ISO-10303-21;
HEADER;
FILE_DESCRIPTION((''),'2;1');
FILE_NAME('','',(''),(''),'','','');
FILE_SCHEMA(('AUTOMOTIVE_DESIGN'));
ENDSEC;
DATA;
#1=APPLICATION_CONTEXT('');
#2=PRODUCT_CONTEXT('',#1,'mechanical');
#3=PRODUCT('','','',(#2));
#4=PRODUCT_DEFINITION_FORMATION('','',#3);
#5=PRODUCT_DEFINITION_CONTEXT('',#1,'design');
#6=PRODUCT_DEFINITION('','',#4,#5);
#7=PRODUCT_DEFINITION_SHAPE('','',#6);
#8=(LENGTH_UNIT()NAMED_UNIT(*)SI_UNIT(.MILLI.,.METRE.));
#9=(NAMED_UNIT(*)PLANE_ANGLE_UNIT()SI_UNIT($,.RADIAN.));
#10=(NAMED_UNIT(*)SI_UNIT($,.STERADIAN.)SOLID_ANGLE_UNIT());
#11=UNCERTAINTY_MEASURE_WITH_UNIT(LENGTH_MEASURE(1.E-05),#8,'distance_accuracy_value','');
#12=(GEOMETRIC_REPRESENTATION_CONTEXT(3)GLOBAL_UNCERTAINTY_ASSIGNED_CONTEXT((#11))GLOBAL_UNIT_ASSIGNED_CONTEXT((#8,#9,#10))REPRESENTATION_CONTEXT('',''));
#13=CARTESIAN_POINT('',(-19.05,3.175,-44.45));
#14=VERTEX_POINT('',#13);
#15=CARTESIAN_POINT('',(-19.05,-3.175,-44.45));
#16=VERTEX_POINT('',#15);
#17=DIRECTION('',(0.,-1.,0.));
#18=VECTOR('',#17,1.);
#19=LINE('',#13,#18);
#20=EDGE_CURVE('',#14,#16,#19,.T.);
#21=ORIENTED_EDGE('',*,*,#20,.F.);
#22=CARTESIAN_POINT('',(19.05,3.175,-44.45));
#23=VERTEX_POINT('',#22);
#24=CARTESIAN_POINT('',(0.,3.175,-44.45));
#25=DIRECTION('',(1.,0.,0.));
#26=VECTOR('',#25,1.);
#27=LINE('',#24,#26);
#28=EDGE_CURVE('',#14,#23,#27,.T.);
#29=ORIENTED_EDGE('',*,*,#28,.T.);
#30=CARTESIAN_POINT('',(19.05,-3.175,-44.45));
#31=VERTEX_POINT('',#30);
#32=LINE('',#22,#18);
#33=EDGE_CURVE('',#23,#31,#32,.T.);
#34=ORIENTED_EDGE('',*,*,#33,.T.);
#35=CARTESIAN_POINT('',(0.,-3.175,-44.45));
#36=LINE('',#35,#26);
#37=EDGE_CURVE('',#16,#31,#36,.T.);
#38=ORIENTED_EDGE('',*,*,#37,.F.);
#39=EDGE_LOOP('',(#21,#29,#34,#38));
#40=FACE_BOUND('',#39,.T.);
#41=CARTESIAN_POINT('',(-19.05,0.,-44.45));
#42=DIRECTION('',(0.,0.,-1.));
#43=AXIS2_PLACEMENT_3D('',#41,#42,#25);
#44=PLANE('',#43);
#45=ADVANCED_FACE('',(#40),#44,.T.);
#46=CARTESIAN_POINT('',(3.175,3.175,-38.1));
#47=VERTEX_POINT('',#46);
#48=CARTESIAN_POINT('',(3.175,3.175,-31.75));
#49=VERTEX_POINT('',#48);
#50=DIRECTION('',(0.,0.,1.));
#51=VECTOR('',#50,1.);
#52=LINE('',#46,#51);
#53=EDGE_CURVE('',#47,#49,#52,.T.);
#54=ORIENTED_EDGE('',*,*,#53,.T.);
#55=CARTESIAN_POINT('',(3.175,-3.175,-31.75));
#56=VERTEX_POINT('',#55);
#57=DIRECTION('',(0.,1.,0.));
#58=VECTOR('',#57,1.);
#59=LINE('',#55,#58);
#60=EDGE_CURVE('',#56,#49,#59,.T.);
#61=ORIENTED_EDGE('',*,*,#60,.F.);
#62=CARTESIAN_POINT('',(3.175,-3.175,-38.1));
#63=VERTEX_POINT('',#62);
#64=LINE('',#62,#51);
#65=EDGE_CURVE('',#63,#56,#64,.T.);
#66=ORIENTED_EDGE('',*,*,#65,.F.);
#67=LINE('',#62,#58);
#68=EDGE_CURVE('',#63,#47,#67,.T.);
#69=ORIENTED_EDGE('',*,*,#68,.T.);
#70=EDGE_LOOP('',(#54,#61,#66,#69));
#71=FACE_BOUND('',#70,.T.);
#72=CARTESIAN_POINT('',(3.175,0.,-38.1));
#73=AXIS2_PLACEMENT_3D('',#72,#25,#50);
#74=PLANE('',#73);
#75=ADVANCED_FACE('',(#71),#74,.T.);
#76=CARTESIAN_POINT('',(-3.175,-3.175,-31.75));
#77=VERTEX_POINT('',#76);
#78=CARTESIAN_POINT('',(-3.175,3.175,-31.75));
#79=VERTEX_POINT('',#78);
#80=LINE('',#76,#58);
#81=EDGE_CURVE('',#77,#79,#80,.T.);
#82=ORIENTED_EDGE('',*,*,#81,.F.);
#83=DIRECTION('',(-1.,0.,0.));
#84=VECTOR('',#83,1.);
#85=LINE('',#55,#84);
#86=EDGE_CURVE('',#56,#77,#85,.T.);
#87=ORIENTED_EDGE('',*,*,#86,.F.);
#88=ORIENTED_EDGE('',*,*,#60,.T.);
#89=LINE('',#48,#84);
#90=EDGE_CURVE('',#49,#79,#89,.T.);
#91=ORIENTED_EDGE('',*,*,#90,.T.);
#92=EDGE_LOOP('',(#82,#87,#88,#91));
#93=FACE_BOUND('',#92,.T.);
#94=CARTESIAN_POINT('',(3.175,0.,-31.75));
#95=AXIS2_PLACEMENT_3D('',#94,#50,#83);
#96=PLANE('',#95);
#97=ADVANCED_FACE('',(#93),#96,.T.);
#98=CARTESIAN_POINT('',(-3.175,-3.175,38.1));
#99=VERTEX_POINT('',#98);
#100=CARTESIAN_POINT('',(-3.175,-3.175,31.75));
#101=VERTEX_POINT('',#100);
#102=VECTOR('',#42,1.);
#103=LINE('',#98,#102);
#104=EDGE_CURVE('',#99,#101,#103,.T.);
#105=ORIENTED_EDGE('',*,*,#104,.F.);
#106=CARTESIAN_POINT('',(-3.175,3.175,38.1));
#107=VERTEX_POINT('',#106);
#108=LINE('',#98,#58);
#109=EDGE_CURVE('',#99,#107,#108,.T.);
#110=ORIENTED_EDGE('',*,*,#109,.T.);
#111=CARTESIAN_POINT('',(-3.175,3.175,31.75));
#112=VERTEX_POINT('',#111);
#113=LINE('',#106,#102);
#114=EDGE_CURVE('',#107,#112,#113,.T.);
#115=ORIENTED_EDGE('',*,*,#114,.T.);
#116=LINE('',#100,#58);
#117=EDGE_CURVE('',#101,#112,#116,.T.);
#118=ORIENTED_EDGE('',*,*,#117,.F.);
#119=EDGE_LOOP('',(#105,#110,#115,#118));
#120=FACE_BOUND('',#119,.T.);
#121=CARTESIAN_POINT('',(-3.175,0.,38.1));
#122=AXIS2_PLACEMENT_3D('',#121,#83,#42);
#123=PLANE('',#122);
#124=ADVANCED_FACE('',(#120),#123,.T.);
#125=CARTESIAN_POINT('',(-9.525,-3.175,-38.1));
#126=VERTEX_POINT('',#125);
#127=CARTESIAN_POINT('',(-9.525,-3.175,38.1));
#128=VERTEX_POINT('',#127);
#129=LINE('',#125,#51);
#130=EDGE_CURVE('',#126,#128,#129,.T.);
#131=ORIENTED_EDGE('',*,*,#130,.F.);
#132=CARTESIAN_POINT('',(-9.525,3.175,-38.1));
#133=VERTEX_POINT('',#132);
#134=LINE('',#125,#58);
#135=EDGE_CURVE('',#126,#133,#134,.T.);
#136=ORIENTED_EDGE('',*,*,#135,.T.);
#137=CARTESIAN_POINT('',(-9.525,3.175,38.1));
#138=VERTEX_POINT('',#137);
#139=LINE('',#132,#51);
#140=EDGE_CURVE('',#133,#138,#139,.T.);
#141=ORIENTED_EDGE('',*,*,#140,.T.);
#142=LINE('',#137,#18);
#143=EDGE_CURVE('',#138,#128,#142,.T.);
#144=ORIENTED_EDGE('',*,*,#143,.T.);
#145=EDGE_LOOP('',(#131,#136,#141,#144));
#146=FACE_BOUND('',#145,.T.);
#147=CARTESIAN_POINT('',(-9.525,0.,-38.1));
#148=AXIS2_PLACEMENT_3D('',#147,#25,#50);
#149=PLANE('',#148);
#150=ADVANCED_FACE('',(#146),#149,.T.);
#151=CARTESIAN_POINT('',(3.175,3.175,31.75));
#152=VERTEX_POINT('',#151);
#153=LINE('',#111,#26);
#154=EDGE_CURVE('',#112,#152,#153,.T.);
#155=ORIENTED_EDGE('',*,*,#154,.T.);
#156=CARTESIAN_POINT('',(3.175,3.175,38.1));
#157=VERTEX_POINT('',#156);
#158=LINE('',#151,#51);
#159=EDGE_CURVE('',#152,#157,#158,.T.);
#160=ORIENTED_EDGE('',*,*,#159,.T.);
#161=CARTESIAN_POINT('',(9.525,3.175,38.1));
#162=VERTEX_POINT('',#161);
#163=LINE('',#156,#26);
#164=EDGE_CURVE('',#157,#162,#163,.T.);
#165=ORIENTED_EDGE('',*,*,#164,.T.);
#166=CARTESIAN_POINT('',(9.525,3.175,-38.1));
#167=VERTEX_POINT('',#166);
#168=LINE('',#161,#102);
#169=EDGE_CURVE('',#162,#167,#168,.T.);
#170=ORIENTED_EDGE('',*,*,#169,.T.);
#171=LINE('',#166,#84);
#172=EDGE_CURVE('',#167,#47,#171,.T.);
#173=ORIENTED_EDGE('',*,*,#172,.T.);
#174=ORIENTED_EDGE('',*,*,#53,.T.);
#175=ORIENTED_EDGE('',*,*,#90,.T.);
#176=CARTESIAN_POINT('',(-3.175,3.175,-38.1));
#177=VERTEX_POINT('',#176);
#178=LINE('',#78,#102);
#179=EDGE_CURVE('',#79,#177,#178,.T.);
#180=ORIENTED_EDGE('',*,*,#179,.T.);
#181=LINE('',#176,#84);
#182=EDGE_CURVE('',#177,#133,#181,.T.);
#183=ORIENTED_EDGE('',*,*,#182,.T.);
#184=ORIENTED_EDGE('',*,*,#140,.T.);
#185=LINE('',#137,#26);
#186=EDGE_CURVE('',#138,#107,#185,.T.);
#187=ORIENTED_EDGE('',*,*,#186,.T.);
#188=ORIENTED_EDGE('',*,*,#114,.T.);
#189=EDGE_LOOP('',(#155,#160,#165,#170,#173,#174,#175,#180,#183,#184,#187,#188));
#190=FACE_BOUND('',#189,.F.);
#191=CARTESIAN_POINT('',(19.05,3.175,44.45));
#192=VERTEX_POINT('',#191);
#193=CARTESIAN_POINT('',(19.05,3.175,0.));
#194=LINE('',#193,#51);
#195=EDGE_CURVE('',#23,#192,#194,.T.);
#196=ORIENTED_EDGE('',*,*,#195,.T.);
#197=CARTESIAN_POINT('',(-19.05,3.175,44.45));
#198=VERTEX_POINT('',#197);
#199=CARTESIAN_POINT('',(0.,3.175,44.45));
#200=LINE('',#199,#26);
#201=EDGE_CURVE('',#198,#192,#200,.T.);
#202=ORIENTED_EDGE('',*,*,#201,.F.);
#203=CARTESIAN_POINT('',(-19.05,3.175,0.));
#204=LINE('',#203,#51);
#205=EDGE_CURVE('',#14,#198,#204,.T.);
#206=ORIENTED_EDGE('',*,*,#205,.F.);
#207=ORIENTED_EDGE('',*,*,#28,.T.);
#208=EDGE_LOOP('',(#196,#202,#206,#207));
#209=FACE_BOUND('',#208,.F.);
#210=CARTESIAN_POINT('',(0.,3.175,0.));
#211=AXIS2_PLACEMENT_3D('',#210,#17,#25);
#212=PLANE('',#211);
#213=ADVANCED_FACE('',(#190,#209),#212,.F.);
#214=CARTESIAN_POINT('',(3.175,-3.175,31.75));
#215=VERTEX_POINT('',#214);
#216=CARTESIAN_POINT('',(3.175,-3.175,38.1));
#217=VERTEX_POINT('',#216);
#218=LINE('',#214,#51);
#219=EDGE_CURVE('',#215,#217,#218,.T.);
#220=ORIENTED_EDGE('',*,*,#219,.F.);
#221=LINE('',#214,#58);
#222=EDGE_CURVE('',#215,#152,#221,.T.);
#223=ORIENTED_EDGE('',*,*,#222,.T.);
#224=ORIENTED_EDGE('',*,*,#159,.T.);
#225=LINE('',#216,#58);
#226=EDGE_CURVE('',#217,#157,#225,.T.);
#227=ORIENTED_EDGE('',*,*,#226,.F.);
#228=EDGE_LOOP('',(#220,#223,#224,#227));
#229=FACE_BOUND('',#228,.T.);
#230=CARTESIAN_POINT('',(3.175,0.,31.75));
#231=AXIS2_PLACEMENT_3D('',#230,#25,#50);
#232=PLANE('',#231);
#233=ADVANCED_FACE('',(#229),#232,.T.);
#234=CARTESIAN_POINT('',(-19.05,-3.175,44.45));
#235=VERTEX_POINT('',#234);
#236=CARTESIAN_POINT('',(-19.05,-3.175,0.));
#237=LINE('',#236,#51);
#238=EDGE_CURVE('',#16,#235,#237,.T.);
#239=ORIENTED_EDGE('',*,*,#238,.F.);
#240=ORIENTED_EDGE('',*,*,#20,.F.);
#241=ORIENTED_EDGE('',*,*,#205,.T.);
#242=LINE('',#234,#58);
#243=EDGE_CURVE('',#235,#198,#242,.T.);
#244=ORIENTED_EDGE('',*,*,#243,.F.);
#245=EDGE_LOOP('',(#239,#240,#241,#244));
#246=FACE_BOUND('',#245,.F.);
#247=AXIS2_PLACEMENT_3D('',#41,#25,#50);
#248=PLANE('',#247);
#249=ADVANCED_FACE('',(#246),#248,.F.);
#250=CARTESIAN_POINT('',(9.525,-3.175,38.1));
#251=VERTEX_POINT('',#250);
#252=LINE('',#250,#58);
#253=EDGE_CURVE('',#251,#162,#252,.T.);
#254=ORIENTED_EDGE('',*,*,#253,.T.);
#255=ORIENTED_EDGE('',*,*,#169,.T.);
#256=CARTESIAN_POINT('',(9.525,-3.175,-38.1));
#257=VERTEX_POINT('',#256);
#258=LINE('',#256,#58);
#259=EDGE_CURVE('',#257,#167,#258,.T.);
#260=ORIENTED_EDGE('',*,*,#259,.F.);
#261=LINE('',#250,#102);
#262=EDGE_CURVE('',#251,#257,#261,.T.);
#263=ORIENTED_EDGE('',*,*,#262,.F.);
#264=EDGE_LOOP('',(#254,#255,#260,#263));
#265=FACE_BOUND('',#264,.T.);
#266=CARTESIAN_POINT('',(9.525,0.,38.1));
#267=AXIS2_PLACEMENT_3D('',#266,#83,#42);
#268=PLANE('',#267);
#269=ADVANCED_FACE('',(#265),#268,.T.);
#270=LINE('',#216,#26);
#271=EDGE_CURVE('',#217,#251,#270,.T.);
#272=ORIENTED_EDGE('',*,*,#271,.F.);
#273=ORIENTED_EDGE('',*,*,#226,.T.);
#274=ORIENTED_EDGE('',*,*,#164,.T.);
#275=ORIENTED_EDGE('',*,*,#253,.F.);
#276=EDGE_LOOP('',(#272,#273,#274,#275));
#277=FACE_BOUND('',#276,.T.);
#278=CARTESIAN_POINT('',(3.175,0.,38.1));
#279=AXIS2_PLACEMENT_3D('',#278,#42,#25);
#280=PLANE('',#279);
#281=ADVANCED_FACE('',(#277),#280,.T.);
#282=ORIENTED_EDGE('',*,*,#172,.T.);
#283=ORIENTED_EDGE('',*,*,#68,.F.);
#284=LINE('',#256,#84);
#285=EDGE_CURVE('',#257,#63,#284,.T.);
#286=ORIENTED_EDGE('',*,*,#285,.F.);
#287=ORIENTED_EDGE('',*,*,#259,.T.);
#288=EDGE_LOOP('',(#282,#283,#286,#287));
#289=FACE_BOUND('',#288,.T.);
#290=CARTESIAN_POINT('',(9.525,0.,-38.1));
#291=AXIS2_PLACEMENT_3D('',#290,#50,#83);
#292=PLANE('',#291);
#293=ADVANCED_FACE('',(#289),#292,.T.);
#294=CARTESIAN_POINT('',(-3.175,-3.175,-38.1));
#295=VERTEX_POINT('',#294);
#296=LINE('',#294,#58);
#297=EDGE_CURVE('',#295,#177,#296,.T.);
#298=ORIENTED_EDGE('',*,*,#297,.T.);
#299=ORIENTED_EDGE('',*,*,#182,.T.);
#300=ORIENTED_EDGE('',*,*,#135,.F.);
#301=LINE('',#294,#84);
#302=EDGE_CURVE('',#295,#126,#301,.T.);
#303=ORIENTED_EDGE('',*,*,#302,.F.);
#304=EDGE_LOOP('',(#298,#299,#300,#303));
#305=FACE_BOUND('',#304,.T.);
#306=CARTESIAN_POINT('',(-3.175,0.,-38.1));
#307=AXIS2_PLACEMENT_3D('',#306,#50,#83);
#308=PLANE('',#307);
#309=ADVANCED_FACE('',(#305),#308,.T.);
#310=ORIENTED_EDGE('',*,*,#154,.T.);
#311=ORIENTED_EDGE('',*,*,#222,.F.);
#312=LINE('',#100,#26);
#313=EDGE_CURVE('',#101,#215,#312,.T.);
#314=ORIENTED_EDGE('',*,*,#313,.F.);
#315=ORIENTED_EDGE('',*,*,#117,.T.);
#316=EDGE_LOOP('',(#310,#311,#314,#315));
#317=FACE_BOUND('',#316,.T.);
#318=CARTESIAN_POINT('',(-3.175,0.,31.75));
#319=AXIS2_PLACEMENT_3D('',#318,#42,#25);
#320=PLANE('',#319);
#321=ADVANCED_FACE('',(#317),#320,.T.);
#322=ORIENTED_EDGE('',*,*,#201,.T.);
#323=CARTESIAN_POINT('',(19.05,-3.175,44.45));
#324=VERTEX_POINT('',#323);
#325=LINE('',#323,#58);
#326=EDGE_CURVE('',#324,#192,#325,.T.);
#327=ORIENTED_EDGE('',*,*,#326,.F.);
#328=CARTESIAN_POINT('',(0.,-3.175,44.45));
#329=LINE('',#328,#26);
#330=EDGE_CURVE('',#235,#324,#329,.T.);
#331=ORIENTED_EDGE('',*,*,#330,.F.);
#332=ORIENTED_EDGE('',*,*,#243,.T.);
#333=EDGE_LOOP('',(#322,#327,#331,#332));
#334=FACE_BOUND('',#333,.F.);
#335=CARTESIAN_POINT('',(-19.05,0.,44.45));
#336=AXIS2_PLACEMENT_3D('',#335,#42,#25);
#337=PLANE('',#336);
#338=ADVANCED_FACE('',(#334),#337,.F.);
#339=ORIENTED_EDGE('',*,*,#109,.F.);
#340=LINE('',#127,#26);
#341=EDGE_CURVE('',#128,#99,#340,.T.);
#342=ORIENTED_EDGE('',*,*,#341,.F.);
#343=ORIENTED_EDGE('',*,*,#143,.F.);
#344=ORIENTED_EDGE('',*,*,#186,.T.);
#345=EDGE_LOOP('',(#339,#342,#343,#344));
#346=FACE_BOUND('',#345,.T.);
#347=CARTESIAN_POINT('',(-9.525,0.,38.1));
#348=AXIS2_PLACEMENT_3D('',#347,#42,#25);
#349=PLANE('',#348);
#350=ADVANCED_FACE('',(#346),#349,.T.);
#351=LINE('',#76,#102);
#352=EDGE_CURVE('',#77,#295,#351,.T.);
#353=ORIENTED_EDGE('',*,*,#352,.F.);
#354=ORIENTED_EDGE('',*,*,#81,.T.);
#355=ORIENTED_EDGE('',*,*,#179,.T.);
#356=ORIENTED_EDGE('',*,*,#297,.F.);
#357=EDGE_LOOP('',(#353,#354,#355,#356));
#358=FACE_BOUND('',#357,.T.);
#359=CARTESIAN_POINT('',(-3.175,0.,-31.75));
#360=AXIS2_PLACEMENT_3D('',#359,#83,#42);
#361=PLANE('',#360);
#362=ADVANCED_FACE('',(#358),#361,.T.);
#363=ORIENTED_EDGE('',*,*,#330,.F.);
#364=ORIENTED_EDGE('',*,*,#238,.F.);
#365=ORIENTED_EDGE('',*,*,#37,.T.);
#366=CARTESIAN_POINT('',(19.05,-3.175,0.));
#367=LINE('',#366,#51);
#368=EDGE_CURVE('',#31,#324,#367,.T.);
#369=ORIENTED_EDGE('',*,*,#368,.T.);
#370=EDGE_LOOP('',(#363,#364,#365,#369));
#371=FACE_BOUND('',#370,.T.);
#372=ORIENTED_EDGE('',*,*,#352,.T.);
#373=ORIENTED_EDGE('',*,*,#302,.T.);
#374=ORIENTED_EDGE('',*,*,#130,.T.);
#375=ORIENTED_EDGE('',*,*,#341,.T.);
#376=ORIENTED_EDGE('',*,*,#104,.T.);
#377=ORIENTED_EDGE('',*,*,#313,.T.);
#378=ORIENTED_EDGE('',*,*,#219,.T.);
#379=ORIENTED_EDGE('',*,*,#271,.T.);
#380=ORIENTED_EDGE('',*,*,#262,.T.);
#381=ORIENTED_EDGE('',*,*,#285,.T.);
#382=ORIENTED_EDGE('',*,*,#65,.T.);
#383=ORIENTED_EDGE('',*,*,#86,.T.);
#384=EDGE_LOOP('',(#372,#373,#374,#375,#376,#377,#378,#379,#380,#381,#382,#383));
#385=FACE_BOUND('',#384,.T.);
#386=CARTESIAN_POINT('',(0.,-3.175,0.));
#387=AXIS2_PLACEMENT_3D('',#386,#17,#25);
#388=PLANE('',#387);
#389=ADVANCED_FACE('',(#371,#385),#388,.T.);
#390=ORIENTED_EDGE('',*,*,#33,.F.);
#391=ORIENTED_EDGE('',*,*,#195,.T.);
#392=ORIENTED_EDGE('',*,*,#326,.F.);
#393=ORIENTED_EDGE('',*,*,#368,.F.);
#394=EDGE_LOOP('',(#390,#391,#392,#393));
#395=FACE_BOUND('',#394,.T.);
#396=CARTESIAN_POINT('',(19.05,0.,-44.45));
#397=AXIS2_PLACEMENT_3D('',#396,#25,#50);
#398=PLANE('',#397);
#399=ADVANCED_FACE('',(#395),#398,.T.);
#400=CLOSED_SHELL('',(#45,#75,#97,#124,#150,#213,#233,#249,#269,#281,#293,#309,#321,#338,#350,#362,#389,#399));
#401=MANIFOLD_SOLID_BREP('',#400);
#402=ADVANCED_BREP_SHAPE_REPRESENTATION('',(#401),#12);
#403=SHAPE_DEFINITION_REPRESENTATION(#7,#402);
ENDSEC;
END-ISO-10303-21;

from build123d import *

# Parameters (mm, degrees)
F0_W     = 38.1
F0_H     = 88.9
F1_DEPTH = 3.175


with BuildPart() as f1:
    # F0 (on Front) → F1 (new body, symmetric)
    with BuildSketch(Plane.XZ):
        Rectangle(F0_W, F0_H)
        Polygon((-9.525, 38.1), (-3.175, 38.1), (-3.175, 31.75), (3.175, 31.75), (3.175, 38.1), (9.525, 38.1), (9.525, -38.1), (3.175, -38.1), (3.175, -31.75), (-3.175, -31.75), (-3.175, -38.1), (-9.525, -38.1), align=None, mode=Mode.SUBTRACT)
    extrude(amount=F1_DEPTH, both=True)


solid = f1.part
